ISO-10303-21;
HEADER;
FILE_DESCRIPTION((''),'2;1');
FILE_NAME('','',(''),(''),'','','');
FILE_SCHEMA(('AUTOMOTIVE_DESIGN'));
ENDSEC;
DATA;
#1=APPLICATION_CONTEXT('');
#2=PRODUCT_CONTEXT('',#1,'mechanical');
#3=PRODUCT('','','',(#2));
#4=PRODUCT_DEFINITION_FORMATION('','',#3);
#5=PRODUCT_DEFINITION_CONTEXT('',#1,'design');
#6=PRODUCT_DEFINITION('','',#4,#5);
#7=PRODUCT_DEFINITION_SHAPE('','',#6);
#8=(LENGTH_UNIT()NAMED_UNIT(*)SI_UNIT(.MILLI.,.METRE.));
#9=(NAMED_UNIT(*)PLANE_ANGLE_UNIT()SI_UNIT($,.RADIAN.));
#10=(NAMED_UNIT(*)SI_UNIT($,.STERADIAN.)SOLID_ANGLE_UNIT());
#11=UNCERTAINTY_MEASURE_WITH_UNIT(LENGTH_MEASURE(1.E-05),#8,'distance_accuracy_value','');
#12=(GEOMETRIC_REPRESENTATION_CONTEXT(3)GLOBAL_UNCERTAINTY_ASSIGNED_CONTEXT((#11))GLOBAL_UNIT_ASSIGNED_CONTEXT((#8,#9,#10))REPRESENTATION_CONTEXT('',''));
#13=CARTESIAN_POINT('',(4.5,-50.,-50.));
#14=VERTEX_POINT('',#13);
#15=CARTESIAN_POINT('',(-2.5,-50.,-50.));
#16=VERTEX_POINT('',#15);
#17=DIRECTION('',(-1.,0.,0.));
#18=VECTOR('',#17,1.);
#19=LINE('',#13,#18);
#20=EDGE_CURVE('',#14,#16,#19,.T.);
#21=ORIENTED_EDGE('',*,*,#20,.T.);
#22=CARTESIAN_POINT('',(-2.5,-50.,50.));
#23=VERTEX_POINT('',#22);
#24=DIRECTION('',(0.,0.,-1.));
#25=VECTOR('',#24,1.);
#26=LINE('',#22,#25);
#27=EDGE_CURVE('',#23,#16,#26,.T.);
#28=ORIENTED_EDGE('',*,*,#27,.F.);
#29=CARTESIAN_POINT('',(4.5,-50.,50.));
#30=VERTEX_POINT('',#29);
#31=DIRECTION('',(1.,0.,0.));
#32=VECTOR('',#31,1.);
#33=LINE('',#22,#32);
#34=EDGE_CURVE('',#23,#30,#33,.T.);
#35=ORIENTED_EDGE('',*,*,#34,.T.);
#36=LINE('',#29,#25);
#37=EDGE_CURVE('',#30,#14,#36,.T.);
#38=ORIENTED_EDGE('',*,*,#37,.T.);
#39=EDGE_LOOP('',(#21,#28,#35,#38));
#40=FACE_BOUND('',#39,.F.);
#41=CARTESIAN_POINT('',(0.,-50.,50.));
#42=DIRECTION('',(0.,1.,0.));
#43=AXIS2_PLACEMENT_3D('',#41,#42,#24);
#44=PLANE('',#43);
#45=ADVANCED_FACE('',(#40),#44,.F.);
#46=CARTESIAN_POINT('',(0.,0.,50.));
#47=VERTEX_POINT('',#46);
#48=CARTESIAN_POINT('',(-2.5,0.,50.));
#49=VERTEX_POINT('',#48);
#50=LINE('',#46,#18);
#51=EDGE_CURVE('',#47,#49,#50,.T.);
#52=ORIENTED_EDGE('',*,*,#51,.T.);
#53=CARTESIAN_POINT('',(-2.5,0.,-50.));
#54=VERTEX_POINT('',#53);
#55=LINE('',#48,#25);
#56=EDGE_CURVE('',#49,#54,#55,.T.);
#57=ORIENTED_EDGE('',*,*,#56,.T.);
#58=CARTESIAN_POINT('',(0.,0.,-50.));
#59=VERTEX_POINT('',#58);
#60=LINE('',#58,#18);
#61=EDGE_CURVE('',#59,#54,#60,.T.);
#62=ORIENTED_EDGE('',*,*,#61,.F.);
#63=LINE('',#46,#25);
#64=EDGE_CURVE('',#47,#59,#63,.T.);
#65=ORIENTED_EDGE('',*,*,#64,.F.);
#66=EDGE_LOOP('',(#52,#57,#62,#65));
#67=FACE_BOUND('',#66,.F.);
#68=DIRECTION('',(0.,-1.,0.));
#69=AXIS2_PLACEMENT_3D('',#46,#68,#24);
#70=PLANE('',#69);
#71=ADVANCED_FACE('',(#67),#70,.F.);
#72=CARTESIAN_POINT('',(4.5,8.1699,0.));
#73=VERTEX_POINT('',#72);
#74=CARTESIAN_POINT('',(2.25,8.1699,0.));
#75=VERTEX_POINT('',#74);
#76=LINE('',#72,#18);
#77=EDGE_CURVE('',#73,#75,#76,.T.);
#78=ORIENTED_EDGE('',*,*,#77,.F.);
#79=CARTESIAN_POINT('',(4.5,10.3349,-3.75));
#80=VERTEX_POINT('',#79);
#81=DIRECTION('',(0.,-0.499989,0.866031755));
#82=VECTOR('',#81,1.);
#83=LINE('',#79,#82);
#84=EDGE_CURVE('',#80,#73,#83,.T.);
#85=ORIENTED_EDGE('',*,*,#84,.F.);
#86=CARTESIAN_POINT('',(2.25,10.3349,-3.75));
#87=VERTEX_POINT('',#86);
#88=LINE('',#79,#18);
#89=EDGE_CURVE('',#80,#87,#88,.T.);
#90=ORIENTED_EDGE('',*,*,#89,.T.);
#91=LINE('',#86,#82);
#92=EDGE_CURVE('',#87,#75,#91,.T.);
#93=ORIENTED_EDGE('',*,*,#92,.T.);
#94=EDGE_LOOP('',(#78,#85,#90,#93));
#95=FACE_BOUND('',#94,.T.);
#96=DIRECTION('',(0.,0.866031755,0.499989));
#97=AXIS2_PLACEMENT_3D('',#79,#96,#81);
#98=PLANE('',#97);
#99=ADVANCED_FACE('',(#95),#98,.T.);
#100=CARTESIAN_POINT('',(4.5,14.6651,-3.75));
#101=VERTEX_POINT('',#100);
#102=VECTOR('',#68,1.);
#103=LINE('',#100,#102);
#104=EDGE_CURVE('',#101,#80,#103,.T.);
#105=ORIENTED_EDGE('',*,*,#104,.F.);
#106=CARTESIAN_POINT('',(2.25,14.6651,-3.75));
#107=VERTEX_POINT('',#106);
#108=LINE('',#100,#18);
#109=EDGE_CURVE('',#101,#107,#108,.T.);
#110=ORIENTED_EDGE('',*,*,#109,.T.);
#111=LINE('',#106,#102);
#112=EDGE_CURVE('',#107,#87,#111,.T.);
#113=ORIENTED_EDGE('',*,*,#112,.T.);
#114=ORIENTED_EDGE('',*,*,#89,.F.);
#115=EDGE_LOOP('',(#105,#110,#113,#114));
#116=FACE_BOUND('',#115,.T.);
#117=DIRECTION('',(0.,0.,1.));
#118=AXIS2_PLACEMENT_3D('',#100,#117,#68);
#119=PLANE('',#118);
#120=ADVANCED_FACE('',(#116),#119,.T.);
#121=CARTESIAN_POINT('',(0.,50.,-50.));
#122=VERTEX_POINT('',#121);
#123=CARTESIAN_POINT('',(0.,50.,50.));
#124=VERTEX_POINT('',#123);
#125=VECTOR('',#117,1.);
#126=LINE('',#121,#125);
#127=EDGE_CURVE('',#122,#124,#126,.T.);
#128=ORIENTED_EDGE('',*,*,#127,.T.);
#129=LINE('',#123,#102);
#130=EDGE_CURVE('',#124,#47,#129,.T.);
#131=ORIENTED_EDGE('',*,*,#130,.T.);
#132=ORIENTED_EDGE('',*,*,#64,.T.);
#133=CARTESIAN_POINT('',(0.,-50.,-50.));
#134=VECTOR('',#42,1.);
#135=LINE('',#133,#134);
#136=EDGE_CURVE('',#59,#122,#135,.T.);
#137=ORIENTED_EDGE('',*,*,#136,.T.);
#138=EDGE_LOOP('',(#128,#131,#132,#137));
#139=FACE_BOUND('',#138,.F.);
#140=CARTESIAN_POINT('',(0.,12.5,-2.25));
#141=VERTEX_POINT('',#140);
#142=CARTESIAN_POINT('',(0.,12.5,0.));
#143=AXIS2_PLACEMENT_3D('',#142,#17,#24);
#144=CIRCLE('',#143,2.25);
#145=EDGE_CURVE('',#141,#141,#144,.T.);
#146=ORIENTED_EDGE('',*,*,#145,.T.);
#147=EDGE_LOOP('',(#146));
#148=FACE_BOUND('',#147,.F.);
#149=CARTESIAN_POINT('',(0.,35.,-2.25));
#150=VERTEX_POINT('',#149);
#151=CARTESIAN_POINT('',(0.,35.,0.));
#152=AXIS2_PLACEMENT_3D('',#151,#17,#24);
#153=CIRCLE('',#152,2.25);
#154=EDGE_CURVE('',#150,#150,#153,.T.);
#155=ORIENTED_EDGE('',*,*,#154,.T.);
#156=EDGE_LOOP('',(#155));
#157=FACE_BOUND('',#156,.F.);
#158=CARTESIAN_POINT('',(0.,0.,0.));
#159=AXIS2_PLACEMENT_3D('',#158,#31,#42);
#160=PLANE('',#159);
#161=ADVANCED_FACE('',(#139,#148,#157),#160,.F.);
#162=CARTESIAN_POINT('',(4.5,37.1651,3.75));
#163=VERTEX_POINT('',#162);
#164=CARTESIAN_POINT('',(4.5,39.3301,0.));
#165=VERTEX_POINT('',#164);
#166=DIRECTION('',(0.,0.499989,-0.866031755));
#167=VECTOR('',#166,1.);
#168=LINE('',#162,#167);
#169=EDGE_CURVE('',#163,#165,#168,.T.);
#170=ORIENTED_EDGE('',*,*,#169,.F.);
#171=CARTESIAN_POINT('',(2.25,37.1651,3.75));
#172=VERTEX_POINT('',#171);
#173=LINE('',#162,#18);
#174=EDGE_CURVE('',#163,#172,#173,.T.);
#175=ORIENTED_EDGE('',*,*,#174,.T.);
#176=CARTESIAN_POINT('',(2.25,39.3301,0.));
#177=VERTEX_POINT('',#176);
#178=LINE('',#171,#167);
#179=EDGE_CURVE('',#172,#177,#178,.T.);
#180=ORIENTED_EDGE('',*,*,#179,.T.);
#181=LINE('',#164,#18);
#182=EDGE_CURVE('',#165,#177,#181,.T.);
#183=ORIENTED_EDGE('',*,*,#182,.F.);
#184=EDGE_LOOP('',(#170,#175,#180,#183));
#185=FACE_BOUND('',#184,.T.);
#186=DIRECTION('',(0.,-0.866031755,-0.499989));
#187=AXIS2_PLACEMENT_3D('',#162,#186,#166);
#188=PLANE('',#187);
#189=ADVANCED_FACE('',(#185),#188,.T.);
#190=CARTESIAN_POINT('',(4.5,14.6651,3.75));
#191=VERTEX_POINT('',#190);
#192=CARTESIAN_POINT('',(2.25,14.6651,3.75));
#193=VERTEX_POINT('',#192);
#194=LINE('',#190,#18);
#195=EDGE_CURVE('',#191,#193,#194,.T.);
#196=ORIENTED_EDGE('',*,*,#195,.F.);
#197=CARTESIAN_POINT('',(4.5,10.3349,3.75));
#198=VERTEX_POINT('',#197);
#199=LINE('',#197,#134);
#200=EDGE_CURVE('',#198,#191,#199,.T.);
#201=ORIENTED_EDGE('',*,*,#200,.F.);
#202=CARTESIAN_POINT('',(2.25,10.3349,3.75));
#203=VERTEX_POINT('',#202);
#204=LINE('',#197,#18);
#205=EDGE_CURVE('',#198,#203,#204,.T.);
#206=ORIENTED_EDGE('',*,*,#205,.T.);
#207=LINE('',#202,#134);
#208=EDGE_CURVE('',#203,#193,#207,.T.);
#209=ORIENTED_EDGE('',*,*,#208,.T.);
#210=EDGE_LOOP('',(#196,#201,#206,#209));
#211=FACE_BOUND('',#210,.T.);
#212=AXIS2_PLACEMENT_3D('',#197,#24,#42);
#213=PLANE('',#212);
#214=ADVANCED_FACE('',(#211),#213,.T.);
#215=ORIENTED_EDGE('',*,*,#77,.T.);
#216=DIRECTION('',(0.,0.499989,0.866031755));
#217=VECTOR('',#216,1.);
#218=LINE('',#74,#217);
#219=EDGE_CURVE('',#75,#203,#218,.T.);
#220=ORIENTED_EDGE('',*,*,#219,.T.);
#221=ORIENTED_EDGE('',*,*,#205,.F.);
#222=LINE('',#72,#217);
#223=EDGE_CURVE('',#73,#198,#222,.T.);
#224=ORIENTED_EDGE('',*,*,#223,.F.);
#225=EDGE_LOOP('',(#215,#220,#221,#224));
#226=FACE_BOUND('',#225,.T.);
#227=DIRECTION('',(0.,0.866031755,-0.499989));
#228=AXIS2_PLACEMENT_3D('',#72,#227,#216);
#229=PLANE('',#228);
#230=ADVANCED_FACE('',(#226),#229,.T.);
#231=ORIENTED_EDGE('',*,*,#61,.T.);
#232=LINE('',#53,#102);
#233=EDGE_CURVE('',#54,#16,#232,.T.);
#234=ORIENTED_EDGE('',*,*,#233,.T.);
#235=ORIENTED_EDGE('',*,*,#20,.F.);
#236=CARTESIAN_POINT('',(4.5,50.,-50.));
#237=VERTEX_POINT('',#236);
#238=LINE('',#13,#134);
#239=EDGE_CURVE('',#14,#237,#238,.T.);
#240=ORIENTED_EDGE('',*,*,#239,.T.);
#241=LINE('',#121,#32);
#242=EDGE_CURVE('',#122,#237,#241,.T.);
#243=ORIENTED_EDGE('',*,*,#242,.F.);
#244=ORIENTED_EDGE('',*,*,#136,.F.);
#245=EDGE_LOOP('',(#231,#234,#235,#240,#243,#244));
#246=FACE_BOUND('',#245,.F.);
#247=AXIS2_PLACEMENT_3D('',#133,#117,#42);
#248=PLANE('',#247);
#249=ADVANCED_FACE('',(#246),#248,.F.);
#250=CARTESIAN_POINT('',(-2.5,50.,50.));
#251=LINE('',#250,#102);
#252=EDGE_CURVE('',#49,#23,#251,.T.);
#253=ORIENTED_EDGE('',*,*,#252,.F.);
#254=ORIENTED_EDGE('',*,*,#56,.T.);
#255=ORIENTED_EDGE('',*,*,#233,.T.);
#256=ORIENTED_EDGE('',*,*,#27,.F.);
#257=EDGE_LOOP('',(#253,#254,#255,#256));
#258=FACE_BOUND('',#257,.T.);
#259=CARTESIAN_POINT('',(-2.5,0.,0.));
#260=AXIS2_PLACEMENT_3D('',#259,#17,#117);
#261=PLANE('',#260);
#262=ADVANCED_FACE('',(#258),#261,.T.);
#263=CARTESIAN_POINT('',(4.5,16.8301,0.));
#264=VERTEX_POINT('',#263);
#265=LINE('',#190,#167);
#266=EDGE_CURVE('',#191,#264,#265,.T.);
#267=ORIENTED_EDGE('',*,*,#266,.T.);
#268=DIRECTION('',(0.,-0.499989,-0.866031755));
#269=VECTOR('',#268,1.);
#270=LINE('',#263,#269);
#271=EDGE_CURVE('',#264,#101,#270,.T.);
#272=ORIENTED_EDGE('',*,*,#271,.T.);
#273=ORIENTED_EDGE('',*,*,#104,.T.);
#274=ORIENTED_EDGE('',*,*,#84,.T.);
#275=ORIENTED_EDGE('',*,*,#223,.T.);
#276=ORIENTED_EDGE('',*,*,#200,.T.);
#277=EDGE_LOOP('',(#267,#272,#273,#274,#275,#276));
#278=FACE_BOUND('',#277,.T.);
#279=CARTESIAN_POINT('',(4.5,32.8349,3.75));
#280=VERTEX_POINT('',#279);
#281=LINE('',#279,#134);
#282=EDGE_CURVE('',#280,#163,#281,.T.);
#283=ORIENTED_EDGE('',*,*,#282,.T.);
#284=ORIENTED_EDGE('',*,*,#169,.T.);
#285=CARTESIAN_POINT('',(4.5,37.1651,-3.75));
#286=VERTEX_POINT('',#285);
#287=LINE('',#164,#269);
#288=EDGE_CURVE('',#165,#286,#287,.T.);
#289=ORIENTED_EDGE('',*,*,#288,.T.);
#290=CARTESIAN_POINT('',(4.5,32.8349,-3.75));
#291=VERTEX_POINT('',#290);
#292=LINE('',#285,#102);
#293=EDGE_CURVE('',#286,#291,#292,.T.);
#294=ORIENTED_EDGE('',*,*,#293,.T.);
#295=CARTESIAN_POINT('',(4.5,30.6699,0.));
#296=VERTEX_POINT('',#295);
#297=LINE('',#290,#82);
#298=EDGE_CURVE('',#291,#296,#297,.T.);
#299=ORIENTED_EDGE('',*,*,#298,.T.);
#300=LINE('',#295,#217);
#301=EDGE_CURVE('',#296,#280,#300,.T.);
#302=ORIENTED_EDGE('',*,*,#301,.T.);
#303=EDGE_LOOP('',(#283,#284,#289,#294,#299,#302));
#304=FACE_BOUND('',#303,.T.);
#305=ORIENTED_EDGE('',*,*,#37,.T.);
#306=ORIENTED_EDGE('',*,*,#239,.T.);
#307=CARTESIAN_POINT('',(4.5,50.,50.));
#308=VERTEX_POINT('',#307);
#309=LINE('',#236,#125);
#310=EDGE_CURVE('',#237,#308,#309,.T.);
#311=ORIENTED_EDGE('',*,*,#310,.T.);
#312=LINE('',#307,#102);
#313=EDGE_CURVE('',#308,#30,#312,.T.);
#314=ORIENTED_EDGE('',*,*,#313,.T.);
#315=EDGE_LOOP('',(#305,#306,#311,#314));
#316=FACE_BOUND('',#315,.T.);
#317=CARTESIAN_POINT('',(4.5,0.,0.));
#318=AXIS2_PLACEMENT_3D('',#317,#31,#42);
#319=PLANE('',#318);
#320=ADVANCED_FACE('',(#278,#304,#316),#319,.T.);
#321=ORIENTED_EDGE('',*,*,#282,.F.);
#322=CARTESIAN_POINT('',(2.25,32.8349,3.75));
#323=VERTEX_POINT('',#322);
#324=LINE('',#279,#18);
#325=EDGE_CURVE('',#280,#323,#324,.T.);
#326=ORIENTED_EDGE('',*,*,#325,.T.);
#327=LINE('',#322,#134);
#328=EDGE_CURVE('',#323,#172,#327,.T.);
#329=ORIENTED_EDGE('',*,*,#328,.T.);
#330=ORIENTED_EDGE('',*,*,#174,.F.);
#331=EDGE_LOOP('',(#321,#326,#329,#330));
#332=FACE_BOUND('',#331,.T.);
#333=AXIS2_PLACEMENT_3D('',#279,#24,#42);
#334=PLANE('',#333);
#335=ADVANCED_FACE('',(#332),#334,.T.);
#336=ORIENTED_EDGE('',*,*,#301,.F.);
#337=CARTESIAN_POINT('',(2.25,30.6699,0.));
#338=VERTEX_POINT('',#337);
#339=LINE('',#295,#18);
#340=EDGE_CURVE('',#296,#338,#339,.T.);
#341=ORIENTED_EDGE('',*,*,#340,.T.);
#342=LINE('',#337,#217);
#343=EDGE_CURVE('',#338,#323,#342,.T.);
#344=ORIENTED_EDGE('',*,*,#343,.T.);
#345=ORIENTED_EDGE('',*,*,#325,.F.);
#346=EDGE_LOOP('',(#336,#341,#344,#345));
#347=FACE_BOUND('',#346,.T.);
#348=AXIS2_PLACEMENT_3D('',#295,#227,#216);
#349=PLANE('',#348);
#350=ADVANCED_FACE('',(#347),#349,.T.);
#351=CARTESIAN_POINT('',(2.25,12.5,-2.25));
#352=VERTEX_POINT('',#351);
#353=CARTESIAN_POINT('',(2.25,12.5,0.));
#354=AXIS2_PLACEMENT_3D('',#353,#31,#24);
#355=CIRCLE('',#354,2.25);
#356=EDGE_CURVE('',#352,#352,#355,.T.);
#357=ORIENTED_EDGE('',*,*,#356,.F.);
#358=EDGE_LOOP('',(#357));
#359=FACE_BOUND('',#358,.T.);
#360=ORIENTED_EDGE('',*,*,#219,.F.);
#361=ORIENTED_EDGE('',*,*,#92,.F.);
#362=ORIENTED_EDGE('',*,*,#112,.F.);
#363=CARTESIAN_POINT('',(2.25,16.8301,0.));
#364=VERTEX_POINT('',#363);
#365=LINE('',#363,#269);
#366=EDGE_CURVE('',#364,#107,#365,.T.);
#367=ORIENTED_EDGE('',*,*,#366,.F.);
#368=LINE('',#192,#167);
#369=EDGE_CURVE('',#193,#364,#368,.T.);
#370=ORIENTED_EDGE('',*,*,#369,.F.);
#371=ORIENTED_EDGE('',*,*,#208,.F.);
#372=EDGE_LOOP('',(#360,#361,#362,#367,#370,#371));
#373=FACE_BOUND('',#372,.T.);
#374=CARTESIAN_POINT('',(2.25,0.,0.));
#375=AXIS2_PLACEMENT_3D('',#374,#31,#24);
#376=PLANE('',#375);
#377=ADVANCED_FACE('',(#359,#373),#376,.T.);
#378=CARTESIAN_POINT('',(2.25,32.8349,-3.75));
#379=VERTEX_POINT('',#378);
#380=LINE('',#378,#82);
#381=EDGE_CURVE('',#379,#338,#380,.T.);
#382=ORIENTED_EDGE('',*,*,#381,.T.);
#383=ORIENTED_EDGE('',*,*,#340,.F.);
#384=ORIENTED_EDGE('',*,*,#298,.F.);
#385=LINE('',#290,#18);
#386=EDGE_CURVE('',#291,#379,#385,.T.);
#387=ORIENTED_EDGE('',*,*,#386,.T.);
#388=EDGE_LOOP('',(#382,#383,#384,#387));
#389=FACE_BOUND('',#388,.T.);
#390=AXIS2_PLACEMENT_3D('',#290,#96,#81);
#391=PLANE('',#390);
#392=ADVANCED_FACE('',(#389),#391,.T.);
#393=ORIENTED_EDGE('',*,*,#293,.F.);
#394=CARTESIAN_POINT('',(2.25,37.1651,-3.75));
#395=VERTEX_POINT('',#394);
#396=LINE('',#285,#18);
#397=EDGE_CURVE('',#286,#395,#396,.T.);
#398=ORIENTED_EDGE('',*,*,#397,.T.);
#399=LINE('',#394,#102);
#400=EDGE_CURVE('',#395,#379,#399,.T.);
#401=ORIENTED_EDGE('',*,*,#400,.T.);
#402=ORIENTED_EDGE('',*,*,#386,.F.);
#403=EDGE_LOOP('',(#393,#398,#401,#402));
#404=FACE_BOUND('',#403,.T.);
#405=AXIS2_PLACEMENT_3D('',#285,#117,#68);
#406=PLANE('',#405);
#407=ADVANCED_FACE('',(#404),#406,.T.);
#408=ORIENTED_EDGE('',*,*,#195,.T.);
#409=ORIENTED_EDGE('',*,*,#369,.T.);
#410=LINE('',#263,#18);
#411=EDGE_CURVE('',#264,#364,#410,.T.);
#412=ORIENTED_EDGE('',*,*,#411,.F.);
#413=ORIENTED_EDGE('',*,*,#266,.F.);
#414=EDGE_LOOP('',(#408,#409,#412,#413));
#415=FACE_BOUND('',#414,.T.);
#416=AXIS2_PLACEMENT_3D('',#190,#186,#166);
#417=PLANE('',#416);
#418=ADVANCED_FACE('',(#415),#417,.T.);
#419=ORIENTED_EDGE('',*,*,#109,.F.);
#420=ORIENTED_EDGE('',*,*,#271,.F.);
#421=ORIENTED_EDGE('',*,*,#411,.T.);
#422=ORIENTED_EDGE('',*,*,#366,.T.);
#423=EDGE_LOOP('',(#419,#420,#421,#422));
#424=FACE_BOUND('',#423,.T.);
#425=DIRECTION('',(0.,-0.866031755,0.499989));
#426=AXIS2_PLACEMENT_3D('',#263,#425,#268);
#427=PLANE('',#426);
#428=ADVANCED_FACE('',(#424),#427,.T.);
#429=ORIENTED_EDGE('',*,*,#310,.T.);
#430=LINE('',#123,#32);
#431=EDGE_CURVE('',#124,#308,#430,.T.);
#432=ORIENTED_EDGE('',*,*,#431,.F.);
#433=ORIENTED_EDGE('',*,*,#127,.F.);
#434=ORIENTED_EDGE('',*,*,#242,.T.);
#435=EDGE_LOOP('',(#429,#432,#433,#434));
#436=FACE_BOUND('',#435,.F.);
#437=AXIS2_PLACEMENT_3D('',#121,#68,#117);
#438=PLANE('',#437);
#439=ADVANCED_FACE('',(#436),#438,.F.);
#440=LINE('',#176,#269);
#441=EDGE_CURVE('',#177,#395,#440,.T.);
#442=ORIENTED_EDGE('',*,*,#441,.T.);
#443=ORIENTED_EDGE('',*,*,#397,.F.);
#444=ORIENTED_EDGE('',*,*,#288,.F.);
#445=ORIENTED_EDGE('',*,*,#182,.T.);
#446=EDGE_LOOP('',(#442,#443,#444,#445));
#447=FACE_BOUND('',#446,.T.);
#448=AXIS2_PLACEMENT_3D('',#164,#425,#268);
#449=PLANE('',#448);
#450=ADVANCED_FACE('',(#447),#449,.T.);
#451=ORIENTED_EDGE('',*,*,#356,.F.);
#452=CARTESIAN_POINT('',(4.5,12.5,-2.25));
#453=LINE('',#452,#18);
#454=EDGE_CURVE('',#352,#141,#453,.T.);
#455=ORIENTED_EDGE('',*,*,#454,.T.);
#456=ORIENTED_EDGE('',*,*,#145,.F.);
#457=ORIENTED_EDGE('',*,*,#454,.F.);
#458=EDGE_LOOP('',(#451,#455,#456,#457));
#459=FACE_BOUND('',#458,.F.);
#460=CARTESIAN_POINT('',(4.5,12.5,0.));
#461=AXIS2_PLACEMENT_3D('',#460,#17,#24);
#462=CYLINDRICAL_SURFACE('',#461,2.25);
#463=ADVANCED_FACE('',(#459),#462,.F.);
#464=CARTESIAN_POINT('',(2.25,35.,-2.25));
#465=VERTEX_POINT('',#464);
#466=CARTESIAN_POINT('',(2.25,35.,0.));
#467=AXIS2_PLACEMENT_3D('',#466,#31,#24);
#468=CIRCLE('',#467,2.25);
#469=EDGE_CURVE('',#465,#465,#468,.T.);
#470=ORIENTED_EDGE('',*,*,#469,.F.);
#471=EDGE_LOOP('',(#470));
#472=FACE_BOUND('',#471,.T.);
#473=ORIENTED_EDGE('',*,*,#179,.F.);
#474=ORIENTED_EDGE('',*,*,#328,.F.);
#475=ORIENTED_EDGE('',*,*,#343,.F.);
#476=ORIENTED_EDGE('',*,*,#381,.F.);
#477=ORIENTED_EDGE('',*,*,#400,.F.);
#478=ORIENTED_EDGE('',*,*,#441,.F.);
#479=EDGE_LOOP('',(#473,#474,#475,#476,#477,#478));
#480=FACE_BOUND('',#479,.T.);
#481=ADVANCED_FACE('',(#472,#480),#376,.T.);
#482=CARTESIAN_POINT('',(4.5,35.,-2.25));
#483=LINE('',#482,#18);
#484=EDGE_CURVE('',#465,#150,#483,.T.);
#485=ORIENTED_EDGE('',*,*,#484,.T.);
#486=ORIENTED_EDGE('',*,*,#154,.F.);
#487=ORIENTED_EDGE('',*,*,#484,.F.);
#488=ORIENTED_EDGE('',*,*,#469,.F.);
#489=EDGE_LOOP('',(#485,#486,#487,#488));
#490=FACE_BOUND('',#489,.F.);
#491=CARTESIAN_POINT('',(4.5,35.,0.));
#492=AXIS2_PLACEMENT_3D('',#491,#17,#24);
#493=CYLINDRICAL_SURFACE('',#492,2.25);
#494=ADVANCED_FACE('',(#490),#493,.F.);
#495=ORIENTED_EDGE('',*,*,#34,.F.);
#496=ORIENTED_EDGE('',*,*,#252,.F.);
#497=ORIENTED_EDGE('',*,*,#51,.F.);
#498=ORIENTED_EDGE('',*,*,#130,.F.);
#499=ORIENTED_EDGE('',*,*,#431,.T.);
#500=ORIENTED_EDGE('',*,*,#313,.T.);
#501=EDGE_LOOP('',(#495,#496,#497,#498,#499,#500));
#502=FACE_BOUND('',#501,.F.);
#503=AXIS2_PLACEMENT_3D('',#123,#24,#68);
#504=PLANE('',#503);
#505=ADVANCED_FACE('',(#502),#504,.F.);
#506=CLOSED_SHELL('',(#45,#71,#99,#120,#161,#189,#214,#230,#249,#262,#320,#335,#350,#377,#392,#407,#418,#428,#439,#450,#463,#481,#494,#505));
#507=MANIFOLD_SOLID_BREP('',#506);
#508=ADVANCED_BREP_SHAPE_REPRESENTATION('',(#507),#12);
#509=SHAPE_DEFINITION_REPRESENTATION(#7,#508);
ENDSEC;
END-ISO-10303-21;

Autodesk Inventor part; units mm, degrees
ref_plane "YZ Plane" through (0, 0, 0) normal (1, 0, 0) x (0, 1, 0)
ref_plane "XZ Plane" through (0, 0, 0) normal (0, 1, 0) x (-1, 0, 0)
ref_plane "XY Plane" through (0, 0, 0) normal (0, 0, 1) x (1, 0, 0)
sketch "Sketch1" plane through (0, 0, 0) normal (1, 0, 0) x (0, 1, 0)
  line L0 (50, 50) -> (-50, 50)
  line L1 (-50, 50) -> (-50, -50)
  line L2 (-50, -50) -> (50, -50)
  line L3 (50, -50) -> (50, 50)
  point P0 (0, 0)
  point P1 (50, 0)
  point P2 (0, -50)
  dimension "d0" = 100
  dimension "d1" = 100
extrude "Extrusion1" add sketch "Sketch1" along normal blind 4.5
sketch "Sketch2" plane through (0, 0, 0) normal (-1, 0, 0) x (0, 0, 1)
  line L0 (50, -50) -> (-50, -50) projected
  line L1 (50, 50) -> (50, -50) projected
  line L2 (-50, -50) -> (50, -50)
  line L3 (50, -50) -> (50, 0)
  line L4 (50, 0) -> (-50, 0)
  line L5 (-50, 0) -> (-50, -50)
  point P0 (0, 0)
extrude "Extrusion2" add sketch "Sketch2" along normal blind 2.5
sketch "Sketch3" plane through (4.5, 0, 0) normal (1, 0, 0) x (0, 0, -1)
  line L0 (-50, -50) -> (50, -50) projected
  line L1 (50, -50) -> (50, 50) projected
  line L2 (50, 50) -> (-50, 50) projected
  line L3 (-50, 50) -> (-50, -50) projected
  point P0 (0, 0)
  point P1 (0, 35)
  point P2 (0, 12.5)
  point P3 (0, 50)
  dimension "d6" = 37.5
  dimension "d7" = 15
hole "Hole1" at (4.5, 35, 0) at (4.5, 12.5, 0) direction (-1, 0, 0) diameter 4.5 end through all
sketch "Sketch4" plane through (4.5, 0, 0) normal (1, 0, 0) x (0, 0, -1)
  circle A0 centre (0, 35) radius 2.25 projected
  circle A1 centre (0, 12.5) radius 2.25 projected
  line L0 (-50, -50) -> (50, -50) projected
  line L1 (50, -50) -> (50, 50) projected
  line L2 (50, 50) -> (-50, 50) projected
  line L3 (-50, 50) -> (-50, -50) projected
  line L4 (3.75, 10.3349) -> (0, 8.1699)
  line L5 (0, 8.1699) -> (-3.75, 10.3349)
  line L6 (-3.75, 10.3349) -> (-3.75, 14.6651)
  line L7 (-3.75, 14.6651) -> (0, 16.8301)
  line L8 (0, 16.8301) -> (3.75, 14.6651)
  line L9 (3.75, 14.6651) -> (3.75, 10.3349)
  line L10 (3.75, 32.8349) -> (0, 30.6699)
  line L11 (0, 30.6699) -> (-3.75, 32.8349)
  line L12 (-3.75, 32.8349) -> (-3.75, 37.1651)
  line L13 (-3.75, 37.1651) -> (0, 39.3301)
  line L14 (0, 39.3301) -> (3.75, 37.1651)
  line L15 (3.75, 37.1651) -> (3.75, 32.8349)
  point P0 (0, 0)
  dimension "d15" = 7.5
  dimension "d16" = 7.5
extrude "Extrusion3" cut sketch "Sketch4" against normal blind 2.25 contours L4 L5 L6 L7 L8 L9 | L10 L11 L12 L13 L14 L15
equation "\"d16\" = d15"
properties part number "wallMountBottom"
